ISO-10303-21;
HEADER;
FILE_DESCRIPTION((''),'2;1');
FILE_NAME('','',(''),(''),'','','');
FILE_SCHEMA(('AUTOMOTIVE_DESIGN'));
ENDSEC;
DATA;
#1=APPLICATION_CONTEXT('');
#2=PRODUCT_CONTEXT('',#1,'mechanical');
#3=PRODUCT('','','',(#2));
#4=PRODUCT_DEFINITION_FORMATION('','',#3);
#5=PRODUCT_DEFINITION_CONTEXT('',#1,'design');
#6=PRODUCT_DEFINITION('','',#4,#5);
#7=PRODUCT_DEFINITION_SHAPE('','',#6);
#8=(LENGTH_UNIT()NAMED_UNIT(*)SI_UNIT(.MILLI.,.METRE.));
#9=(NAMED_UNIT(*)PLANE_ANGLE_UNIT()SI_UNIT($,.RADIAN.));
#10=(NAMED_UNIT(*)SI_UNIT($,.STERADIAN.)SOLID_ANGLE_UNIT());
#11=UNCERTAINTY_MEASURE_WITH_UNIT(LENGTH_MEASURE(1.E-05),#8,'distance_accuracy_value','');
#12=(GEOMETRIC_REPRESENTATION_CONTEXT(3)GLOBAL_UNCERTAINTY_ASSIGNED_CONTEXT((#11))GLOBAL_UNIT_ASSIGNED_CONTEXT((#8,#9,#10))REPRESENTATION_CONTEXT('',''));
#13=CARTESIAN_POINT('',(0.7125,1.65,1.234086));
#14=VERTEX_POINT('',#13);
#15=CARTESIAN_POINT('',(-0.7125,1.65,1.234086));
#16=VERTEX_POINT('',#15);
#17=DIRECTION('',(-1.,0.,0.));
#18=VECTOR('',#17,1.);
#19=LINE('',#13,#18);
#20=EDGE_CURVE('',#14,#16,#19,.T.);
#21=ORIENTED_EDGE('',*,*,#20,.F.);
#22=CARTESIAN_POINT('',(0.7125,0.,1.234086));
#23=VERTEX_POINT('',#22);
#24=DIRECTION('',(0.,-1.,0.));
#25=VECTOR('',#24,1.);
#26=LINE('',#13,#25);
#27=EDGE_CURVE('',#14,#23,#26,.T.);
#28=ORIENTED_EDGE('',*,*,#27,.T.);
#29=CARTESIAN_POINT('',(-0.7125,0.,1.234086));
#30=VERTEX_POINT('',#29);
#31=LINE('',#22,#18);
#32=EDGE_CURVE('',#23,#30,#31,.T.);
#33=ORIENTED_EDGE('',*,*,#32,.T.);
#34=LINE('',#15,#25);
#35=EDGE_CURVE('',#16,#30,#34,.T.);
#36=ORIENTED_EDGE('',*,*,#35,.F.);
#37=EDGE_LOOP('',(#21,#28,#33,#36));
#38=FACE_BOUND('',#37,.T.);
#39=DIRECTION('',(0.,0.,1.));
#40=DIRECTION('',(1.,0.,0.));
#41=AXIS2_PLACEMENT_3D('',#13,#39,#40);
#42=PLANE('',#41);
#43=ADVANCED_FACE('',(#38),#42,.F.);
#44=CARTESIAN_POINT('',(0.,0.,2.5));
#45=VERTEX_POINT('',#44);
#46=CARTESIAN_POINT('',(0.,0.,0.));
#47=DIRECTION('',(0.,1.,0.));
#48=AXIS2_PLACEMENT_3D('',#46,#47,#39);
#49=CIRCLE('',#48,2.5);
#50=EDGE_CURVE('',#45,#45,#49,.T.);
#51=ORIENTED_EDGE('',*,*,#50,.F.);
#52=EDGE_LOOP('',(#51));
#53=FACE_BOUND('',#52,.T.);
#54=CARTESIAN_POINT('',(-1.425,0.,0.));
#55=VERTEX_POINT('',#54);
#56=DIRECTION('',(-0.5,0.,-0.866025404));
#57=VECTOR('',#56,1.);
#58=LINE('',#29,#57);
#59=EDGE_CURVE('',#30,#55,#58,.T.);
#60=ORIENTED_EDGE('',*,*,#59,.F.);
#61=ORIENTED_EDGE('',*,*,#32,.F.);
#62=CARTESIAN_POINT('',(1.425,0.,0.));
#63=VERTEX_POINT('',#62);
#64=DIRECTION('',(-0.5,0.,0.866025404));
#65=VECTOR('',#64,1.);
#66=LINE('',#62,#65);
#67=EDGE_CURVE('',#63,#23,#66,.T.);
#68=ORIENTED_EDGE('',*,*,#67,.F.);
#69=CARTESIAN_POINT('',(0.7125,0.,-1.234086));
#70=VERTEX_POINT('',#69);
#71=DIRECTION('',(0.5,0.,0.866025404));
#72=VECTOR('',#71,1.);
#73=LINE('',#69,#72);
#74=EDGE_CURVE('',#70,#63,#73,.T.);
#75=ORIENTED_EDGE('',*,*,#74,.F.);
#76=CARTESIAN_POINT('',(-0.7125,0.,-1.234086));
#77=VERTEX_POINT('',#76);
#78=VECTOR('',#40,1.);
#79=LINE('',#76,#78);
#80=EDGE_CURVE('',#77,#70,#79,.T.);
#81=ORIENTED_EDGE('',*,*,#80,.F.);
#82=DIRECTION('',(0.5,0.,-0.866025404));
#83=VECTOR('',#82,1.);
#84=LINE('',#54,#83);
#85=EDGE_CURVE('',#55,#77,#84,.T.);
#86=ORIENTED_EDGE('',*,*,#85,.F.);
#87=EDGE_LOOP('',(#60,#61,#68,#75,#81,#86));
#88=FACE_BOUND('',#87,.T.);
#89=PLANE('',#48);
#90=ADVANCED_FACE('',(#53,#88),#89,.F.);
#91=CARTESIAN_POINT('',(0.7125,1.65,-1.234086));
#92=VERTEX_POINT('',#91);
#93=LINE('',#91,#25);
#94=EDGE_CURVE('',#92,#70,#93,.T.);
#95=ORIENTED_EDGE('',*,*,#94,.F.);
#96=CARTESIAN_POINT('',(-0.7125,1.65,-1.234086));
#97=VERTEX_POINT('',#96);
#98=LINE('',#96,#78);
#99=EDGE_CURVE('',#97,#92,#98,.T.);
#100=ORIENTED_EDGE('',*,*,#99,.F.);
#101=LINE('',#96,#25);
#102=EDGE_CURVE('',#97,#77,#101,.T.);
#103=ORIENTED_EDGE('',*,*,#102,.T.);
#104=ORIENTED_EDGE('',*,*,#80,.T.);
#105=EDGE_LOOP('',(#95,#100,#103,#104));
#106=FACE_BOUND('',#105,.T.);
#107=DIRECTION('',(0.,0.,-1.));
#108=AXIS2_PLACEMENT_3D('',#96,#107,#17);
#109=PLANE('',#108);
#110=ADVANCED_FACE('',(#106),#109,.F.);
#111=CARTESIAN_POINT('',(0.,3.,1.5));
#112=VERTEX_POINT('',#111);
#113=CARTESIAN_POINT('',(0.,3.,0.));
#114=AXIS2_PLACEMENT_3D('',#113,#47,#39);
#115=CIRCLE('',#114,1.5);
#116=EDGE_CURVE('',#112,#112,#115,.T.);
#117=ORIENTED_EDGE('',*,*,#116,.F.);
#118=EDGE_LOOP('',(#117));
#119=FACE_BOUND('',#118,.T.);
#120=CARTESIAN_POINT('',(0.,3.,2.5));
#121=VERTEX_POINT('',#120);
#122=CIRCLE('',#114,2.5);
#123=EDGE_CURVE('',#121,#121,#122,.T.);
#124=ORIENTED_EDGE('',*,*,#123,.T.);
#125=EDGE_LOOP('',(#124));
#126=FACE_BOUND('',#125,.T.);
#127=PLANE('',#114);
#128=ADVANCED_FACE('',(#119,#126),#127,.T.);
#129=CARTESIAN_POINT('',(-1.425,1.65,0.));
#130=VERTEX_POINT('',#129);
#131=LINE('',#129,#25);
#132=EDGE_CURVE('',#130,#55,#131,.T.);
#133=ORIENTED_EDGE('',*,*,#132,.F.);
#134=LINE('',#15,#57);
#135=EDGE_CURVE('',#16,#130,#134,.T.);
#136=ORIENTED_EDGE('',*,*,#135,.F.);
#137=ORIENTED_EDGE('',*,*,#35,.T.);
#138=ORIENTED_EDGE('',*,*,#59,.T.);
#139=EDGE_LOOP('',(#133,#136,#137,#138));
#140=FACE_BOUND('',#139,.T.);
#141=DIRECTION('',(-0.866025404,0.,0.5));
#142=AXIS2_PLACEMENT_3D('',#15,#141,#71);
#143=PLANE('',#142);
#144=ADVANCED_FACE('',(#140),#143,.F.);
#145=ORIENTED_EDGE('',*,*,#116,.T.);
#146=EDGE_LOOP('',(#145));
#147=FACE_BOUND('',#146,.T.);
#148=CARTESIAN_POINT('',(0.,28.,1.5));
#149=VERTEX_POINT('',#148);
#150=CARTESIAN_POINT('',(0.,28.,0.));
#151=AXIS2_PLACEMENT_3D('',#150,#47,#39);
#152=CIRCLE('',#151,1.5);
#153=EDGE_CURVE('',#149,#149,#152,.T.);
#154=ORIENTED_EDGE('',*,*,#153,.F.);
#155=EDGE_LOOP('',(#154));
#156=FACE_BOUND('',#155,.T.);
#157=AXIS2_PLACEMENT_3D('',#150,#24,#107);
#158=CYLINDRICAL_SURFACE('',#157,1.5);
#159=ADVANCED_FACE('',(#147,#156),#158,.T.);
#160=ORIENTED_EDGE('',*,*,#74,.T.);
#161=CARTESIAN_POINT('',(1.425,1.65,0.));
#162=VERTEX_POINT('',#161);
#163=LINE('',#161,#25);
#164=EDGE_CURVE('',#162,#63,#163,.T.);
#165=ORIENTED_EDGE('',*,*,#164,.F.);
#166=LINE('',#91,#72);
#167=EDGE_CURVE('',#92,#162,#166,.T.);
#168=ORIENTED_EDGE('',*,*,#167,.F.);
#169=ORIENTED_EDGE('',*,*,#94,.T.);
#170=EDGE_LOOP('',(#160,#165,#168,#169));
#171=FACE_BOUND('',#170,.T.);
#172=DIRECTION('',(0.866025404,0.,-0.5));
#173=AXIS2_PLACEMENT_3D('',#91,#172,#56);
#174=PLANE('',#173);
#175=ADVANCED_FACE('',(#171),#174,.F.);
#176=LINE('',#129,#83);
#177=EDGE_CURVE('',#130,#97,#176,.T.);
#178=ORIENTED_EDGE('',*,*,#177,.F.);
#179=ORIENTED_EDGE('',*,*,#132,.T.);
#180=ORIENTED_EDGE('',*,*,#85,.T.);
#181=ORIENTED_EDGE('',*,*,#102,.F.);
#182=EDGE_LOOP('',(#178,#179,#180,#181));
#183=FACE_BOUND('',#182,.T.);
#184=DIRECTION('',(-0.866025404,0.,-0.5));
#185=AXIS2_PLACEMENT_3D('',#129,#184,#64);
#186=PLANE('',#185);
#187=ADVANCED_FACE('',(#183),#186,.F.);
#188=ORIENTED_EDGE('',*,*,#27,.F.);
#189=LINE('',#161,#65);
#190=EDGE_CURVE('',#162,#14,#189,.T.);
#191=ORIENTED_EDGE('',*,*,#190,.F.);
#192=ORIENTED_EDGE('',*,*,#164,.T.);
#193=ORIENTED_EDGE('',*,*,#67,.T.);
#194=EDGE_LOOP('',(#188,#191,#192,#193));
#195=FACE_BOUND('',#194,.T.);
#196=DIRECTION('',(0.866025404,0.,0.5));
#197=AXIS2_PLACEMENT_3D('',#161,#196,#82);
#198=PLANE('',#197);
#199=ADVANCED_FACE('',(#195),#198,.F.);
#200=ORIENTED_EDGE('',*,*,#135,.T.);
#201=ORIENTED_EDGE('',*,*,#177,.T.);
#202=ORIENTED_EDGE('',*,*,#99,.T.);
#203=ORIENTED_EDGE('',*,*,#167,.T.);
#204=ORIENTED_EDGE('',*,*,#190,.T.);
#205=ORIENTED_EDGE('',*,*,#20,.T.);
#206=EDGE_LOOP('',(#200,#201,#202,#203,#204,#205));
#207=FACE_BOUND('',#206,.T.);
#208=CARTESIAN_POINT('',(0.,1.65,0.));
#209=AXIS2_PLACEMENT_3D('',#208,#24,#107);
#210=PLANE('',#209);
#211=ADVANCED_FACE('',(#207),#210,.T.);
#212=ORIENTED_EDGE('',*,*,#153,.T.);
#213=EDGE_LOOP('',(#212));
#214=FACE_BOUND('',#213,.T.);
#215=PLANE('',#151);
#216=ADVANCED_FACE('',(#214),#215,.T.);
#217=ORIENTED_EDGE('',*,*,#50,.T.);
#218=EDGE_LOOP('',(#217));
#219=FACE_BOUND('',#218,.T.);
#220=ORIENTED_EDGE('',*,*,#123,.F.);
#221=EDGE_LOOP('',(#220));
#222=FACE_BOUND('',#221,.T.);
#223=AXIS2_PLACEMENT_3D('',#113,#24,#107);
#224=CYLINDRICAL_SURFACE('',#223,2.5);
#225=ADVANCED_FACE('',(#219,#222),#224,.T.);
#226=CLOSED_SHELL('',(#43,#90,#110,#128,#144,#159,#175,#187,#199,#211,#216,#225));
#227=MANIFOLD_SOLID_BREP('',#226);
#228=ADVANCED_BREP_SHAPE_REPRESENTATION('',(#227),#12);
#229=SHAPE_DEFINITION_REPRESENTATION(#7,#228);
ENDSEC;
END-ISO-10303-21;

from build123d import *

# Parameters (mm, degrees)
SKETCH_1_R          = 2.5
EXTRUDE_1_DEPTH     = 3
SKETCH_2_R          = 1.5
EXTRUDE_2_DEPTH     = 25
CUT_EXTRUDE_1_DEPTH = 1.65


with BuildPart() as part:
    # 草图1 → 凸台-拉伸1 (new body)
    with BuildSketch(Plane(origin=(0, 0, 0), x_dir=(1, 0, 0), z_dir=(0, 1, 0))):
        Circle(SKETCH_1_R)
    extrude(amount=EXTRUDE_1_DEPTH)

    # 草图2 → 凸台-拉伸2 (add)
    with BuildSketch(Plane(origin=(0, 3, 0), x_dir=(1, 0, 0), z_dir=(0, 1, 0))):
        Circle(SKETCH_2_R)
    extrude(amount=EXTRUDE_2_DEPTH)

    # 草图3 → 切除-拉伸1 (cut)
    with BuildSketch(Plane.XZ):
        Polygon((1.425, 0), (0.7125, 1.2340862), (-0.7125, 1.2340862), (-1.425, 0), (-0.7125, -1.2340862), (0.7125, -1.2340862), align=None)
    extrude(amount=-CUT_EXTRUDE_1_DEPTH, mode=Mode.SUBTRACT)


solid = part.part
